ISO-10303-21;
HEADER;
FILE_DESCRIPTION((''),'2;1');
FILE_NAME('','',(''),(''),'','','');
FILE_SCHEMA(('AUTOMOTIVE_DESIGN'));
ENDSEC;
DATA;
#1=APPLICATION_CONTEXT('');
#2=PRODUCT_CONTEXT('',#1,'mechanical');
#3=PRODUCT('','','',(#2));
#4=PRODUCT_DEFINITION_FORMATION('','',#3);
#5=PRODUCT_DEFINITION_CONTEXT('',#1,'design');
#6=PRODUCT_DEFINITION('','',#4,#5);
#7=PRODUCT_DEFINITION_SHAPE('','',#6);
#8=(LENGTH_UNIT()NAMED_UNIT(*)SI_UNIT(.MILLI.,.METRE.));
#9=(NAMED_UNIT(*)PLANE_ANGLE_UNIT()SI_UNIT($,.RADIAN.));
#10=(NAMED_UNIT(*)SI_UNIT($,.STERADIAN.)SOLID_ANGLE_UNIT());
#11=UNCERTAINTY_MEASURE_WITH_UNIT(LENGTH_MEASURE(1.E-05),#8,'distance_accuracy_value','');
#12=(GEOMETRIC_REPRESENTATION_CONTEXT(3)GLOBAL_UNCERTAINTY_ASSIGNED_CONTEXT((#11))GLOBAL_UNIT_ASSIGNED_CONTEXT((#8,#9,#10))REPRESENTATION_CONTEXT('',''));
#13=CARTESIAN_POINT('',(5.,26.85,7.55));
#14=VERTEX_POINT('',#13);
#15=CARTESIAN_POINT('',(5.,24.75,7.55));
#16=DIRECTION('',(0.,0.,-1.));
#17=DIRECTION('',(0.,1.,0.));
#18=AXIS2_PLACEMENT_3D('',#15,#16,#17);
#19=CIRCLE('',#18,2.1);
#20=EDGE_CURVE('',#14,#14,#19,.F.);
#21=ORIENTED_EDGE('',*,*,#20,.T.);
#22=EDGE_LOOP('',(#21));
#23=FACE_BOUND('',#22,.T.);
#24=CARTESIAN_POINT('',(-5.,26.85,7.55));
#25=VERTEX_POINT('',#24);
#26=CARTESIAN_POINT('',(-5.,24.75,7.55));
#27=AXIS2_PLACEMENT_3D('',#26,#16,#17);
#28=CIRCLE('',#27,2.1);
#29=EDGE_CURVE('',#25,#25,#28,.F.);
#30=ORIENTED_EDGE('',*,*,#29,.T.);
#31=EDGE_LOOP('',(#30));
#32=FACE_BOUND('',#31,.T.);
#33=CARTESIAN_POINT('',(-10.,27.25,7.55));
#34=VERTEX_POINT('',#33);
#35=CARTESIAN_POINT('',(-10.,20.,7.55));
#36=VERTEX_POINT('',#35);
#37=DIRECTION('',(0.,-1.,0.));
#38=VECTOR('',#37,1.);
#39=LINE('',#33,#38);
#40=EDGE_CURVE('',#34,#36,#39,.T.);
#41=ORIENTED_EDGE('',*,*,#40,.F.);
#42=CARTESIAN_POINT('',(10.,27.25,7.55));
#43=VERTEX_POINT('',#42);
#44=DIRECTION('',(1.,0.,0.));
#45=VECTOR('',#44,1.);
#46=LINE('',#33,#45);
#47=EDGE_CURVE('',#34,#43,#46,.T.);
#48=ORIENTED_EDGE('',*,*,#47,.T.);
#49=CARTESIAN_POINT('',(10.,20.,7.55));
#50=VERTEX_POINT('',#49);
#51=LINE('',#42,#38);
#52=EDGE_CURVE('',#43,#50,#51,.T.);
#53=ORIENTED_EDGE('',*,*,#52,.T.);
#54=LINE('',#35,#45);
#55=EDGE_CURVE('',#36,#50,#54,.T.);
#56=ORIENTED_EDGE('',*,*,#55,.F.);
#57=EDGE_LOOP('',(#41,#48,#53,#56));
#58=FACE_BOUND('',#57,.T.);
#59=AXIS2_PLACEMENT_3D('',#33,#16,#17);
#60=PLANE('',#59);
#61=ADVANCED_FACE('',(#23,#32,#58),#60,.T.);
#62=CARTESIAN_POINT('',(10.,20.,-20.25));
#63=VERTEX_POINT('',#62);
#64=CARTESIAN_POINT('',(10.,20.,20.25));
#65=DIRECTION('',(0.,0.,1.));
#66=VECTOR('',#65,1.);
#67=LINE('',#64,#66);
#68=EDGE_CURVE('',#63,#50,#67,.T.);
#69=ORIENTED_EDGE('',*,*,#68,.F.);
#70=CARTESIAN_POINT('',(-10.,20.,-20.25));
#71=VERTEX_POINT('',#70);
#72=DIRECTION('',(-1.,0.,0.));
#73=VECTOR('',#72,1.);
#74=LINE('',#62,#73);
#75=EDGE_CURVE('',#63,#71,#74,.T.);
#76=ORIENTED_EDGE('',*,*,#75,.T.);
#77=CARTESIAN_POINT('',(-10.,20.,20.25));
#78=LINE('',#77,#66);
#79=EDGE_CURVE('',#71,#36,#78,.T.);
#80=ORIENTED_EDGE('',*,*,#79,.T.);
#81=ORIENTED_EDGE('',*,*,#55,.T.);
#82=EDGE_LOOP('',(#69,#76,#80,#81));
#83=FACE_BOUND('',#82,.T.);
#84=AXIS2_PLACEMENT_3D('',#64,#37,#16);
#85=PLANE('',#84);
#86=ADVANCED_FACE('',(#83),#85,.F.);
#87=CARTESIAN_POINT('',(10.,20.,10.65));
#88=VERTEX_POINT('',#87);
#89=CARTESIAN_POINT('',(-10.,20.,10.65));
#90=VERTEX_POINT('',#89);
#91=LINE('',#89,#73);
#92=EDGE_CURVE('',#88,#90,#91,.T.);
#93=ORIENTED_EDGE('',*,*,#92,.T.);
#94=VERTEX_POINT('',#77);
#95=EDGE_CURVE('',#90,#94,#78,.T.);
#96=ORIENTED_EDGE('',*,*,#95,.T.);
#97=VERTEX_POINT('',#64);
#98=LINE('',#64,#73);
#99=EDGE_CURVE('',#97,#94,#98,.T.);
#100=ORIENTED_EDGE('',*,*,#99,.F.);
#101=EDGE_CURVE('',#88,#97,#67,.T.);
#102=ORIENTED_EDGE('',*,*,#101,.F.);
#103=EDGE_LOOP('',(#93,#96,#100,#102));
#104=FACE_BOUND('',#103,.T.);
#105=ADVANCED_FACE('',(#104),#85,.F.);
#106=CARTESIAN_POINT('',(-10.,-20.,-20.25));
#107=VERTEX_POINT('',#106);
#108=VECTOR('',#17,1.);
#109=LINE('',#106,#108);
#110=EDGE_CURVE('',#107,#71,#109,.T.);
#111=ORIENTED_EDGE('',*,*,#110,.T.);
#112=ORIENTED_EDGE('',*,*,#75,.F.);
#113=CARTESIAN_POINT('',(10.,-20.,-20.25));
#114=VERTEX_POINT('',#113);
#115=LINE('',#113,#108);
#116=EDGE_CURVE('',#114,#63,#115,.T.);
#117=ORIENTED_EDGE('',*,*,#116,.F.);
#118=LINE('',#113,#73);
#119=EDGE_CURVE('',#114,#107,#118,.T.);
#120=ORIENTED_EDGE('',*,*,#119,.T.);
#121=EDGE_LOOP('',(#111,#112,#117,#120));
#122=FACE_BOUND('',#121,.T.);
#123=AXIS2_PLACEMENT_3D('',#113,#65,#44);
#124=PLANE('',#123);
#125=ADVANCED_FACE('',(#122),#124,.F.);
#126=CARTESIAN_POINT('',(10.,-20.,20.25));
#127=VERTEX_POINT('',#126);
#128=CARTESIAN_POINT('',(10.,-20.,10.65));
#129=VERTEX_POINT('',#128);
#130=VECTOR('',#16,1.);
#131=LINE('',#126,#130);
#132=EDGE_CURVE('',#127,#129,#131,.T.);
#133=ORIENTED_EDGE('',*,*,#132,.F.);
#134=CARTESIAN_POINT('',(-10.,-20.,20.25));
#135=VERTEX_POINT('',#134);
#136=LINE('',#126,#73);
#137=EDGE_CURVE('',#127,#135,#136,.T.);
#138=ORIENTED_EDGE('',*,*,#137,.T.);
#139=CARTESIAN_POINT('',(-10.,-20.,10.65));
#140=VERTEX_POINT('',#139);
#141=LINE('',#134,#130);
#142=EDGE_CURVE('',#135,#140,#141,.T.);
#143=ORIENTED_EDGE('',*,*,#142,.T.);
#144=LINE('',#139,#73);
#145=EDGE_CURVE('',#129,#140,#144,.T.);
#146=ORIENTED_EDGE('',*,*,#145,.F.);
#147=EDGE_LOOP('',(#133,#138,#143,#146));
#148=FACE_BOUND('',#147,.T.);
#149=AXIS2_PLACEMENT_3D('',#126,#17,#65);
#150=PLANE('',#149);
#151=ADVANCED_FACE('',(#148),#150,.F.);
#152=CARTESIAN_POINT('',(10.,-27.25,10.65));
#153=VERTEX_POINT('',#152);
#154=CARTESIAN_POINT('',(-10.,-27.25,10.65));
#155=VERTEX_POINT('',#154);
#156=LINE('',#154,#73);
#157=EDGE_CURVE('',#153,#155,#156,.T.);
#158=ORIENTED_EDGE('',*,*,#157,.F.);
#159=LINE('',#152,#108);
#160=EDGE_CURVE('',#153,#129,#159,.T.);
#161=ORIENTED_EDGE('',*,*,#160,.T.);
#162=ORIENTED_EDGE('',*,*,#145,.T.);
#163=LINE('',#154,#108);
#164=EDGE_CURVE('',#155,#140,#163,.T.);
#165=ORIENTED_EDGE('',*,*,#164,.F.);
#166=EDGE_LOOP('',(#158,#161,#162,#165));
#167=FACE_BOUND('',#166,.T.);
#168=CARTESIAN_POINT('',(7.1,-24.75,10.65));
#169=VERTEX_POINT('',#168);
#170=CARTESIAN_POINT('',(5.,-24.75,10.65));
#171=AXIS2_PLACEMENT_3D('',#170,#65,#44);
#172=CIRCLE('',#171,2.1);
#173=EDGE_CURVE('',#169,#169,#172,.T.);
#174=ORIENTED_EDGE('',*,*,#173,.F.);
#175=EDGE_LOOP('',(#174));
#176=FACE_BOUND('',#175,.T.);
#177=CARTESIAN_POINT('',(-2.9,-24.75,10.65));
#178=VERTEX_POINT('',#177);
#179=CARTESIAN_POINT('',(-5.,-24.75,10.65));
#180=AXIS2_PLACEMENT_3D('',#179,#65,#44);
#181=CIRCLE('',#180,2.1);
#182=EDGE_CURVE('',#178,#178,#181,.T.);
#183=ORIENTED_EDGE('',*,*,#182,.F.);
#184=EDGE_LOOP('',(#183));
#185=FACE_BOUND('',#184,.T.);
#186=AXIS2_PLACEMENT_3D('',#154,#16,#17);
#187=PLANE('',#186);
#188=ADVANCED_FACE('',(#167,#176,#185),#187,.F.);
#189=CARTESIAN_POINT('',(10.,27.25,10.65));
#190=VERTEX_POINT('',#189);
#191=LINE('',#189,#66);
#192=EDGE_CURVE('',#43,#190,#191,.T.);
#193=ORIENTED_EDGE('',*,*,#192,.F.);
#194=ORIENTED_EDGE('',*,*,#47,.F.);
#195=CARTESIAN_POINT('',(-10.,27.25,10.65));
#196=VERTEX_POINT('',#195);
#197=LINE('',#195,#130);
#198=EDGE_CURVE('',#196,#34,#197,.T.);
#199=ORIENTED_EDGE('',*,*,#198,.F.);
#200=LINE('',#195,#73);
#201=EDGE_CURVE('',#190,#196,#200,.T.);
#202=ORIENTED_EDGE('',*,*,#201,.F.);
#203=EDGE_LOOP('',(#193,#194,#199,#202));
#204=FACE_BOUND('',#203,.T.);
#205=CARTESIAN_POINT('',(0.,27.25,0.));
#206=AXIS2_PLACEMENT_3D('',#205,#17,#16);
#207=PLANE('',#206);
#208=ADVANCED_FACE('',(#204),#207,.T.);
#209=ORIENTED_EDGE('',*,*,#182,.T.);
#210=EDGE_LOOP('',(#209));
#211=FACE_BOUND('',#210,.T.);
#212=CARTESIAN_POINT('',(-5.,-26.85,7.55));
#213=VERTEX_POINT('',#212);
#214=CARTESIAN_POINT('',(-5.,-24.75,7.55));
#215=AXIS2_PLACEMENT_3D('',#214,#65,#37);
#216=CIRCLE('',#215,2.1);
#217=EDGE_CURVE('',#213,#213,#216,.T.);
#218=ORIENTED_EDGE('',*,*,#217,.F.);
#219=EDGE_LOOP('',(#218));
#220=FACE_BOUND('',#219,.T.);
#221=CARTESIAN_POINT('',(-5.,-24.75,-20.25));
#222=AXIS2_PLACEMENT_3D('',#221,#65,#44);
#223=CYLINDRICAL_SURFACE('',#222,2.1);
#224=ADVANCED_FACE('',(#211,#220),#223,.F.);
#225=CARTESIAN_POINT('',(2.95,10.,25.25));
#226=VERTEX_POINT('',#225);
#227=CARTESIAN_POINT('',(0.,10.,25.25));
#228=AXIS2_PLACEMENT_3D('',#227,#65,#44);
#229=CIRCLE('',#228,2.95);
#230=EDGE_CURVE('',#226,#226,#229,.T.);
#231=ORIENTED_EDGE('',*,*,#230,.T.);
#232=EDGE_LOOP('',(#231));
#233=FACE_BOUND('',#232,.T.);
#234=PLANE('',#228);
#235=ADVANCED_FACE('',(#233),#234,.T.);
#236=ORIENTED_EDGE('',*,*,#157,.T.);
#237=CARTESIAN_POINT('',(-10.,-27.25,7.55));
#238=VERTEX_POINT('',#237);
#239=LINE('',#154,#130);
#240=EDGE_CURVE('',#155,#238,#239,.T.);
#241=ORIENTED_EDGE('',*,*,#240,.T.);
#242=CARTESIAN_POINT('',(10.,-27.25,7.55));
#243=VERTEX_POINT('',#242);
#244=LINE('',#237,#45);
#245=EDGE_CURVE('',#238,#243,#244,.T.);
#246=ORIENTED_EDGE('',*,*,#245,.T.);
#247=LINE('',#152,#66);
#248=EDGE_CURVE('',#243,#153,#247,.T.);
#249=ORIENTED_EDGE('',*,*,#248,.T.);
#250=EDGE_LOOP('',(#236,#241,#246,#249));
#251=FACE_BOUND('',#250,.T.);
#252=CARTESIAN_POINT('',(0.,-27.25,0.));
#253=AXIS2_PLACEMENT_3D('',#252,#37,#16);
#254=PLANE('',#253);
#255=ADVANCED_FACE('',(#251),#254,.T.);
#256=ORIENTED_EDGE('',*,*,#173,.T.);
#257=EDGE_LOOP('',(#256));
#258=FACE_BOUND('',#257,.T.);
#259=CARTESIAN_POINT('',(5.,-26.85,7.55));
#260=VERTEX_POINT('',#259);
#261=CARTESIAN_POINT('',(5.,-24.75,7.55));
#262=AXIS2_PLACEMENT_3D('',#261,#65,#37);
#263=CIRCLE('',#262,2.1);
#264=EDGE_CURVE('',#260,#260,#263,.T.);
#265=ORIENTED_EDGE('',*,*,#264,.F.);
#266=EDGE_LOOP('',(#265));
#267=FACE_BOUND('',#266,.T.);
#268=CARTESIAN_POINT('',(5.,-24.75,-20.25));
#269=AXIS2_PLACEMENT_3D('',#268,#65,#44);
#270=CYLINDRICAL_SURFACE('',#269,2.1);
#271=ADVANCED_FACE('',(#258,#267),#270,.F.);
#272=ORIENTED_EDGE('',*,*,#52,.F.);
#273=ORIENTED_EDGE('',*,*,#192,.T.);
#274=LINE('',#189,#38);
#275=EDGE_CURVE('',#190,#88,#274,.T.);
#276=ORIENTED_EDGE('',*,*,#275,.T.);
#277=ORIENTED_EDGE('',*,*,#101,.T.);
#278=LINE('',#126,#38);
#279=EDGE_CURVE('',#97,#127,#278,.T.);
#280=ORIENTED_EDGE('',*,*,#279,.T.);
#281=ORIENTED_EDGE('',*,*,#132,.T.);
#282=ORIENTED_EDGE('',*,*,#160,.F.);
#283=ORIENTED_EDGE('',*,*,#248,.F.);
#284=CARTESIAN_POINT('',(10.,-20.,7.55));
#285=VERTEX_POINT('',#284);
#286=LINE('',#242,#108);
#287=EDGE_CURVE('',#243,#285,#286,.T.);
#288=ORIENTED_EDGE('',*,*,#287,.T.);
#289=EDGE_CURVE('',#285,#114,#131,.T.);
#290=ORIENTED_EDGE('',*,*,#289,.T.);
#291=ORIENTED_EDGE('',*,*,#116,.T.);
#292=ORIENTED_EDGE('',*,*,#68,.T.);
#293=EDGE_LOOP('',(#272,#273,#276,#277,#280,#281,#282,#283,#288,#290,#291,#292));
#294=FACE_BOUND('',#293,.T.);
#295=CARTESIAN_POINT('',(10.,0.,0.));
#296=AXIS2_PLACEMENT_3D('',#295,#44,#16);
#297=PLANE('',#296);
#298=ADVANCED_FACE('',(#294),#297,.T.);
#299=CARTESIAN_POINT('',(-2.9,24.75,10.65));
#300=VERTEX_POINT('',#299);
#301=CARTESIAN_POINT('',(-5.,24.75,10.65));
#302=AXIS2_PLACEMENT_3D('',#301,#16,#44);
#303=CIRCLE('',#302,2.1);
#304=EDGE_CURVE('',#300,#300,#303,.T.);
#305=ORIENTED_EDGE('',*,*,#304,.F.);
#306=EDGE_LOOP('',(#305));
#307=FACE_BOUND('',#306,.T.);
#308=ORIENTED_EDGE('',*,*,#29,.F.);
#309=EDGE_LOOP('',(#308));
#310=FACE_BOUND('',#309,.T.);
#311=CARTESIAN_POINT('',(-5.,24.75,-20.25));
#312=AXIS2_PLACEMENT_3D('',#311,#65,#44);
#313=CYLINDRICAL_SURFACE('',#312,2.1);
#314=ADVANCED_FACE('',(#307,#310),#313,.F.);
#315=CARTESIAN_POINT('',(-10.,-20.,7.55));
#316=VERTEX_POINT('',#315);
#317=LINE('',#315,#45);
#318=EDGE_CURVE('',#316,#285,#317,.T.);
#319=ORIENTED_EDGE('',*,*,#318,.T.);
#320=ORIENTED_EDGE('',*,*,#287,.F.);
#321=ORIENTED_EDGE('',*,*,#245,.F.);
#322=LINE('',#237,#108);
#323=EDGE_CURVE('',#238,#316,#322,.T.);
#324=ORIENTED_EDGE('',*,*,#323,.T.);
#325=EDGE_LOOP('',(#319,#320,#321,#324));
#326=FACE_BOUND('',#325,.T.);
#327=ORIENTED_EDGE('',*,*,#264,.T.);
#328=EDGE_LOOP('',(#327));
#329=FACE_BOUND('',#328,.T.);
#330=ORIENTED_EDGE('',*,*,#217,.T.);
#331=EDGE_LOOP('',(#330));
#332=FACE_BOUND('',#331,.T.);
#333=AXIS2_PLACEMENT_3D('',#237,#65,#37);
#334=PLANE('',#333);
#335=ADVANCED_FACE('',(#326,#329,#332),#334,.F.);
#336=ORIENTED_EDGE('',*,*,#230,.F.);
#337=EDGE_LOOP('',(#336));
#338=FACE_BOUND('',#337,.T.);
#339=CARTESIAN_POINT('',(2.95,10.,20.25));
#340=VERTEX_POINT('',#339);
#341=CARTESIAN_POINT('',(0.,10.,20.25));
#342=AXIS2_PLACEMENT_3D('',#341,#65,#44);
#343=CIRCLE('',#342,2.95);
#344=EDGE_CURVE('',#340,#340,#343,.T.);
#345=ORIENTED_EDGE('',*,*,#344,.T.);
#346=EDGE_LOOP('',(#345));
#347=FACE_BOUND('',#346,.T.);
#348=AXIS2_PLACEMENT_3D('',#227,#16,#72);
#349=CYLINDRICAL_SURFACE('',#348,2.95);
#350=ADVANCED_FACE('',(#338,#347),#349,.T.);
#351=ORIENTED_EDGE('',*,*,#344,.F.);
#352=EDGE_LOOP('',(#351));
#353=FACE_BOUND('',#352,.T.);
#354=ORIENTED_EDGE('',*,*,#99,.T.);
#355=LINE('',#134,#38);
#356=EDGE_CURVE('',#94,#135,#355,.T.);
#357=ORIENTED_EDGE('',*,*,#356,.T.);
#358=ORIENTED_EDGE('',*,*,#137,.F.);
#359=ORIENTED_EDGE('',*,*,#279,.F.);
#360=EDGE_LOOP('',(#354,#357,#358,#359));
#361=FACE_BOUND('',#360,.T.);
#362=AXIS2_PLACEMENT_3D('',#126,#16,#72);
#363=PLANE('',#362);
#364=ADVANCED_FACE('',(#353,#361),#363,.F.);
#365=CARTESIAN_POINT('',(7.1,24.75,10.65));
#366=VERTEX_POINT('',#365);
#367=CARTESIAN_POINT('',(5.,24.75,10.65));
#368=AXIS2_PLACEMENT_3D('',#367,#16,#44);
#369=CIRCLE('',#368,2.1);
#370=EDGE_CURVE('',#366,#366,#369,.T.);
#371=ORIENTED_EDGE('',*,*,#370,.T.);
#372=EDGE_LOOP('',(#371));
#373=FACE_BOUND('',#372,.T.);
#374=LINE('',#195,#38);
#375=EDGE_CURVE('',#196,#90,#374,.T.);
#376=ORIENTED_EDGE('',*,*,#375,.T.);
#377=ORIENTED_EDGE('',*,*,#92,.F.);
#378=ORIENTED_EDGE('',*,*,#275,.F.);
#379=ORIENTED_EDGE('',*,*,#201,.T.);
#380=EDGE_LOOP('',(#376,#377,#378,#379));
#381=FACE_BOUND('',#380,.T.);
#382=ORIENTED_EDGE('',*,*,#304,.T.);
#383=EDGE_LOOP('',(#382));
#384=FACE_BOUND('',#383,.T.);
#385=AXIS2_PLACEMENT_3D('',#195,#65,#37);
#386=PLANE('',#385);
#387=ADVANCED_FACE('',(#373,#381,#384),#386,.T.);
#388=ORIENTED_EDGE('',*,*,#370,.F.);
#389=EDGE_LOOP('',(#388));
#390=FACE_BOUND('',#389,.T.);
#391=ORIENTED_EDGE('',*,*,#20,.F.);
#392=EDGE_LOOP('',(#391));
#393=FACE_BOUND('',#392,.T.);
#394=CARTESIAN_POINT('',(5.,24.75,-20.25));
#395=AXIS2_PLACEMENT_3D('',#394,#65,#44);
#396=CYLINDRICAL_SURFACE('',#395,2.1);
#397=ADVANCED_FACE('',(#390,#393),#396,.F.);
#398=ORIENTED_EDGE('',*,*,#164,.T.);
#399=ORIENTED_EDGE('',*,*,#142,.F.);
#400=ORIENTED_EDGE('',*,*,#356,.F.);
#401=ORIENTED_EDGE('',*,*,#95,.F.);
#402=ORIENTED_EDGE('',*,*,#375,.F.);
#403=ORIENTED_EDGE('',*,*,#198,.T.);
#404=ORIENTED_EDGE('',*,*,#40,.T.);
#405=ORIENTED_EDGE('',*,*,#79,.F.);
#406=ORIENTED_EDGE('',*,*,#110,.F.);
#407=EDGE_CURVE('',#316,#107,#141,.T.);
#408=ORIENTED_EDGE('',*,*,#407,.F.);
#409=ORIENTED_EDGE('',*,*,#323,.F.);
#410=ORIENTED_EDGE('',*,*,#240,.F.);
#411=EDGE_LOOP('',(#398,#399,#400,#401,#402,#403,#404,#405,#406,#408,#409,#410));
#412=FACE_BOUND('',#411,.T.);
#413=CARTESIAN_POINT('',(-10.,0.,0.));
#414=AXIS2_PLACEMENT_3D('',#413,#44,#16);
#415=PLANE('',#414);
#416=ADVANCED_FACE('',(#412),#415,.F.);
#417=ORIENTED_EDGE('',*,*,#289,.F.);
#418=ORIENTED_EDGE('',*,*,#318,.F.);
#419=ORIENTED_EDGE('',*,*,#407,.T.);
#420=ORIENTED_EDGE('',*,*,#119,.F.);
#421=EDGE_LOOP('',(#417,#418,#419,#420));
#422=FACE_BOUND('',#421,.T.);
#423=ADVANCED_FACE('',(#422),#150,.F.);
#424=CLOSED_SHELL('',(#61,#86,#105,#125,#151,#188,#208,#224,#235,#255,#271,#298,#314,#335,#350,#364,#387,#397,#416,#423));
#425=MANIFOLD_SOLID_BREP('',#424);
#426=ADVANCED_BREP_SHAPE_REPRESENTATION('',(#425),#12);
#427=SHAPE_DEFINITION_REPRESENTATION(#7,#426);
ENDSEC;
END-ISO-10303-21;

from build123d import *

# Parameters (mm, degrees)
SKETCH1_W           = 40
SKETCH1_H           = 40.5
BOSS_EXTRUDE1_DEPTH = 10
SKETCH2_W           = 20
SKETCH2_H           = 3.1
BOSS_EXTRUDE2_DEPTH = 7.25
SKETCH3_R           = 2.1
CUT_EXTRUDE1_DEPTH  = 43.395430178
SKETCH5_R           = 2.95
BOSS_EXTRUDE3_DEPTH = 5


with BuildPart() as part:
    # Sketch1 → Boss-Extrude1 (new, symmetric)
    with BuildSketch(Plane.YZ):
        Rectangle(SKETCH1_W, SKETCH1_H)
    extrude(amount=BOSS_EXTRUDE1_DEPTH, both=True)

    # Sketch2 → Boss-Extrude2 (add)
    with BuildSketch(Plane.XZ.offset(20)):
        with Locations((0, 9.1)):
            Rectangle(SKETCH2_W, SKETCH2_H)
    boss_extrude2 = extrude(amount=BOSS_EXTRUDE2_DEPTH)

    # Sketch3 → Cut-Extrude1 (cut, through all)
    with BuildSketch(Plane.XY.offset(10.65)):
        with Locations((-5, -24.75)):
            Circle(SKETCH3_R)
        with Locations((5, -24.75)):
            Circle(SKETCH3_R)
    cut_extrude1 = extrude(amount=-CUT_EXTRUDE1_DEPTH, mode=Mode.SUBTRACT)

    # Mirror1: Boss-Extrude2, Cut-Extrude1 across plane
    add(boss_extrude2.mirror(Plane.ZX))
    add(cut_extrude1.mirror(Plane.ZX), mode=Mode.SUBTRACT)

    # Sketch5 → Boss-Extrude3 (add)
    with BuildSketch(Plane.XY.offset(20.25)):
        with Locations((0, 10)):
            Circle(SKETCH5_R)
    extrude(amount=BOSS_EXTRUDE3_DEPTH)


solid = part.part
